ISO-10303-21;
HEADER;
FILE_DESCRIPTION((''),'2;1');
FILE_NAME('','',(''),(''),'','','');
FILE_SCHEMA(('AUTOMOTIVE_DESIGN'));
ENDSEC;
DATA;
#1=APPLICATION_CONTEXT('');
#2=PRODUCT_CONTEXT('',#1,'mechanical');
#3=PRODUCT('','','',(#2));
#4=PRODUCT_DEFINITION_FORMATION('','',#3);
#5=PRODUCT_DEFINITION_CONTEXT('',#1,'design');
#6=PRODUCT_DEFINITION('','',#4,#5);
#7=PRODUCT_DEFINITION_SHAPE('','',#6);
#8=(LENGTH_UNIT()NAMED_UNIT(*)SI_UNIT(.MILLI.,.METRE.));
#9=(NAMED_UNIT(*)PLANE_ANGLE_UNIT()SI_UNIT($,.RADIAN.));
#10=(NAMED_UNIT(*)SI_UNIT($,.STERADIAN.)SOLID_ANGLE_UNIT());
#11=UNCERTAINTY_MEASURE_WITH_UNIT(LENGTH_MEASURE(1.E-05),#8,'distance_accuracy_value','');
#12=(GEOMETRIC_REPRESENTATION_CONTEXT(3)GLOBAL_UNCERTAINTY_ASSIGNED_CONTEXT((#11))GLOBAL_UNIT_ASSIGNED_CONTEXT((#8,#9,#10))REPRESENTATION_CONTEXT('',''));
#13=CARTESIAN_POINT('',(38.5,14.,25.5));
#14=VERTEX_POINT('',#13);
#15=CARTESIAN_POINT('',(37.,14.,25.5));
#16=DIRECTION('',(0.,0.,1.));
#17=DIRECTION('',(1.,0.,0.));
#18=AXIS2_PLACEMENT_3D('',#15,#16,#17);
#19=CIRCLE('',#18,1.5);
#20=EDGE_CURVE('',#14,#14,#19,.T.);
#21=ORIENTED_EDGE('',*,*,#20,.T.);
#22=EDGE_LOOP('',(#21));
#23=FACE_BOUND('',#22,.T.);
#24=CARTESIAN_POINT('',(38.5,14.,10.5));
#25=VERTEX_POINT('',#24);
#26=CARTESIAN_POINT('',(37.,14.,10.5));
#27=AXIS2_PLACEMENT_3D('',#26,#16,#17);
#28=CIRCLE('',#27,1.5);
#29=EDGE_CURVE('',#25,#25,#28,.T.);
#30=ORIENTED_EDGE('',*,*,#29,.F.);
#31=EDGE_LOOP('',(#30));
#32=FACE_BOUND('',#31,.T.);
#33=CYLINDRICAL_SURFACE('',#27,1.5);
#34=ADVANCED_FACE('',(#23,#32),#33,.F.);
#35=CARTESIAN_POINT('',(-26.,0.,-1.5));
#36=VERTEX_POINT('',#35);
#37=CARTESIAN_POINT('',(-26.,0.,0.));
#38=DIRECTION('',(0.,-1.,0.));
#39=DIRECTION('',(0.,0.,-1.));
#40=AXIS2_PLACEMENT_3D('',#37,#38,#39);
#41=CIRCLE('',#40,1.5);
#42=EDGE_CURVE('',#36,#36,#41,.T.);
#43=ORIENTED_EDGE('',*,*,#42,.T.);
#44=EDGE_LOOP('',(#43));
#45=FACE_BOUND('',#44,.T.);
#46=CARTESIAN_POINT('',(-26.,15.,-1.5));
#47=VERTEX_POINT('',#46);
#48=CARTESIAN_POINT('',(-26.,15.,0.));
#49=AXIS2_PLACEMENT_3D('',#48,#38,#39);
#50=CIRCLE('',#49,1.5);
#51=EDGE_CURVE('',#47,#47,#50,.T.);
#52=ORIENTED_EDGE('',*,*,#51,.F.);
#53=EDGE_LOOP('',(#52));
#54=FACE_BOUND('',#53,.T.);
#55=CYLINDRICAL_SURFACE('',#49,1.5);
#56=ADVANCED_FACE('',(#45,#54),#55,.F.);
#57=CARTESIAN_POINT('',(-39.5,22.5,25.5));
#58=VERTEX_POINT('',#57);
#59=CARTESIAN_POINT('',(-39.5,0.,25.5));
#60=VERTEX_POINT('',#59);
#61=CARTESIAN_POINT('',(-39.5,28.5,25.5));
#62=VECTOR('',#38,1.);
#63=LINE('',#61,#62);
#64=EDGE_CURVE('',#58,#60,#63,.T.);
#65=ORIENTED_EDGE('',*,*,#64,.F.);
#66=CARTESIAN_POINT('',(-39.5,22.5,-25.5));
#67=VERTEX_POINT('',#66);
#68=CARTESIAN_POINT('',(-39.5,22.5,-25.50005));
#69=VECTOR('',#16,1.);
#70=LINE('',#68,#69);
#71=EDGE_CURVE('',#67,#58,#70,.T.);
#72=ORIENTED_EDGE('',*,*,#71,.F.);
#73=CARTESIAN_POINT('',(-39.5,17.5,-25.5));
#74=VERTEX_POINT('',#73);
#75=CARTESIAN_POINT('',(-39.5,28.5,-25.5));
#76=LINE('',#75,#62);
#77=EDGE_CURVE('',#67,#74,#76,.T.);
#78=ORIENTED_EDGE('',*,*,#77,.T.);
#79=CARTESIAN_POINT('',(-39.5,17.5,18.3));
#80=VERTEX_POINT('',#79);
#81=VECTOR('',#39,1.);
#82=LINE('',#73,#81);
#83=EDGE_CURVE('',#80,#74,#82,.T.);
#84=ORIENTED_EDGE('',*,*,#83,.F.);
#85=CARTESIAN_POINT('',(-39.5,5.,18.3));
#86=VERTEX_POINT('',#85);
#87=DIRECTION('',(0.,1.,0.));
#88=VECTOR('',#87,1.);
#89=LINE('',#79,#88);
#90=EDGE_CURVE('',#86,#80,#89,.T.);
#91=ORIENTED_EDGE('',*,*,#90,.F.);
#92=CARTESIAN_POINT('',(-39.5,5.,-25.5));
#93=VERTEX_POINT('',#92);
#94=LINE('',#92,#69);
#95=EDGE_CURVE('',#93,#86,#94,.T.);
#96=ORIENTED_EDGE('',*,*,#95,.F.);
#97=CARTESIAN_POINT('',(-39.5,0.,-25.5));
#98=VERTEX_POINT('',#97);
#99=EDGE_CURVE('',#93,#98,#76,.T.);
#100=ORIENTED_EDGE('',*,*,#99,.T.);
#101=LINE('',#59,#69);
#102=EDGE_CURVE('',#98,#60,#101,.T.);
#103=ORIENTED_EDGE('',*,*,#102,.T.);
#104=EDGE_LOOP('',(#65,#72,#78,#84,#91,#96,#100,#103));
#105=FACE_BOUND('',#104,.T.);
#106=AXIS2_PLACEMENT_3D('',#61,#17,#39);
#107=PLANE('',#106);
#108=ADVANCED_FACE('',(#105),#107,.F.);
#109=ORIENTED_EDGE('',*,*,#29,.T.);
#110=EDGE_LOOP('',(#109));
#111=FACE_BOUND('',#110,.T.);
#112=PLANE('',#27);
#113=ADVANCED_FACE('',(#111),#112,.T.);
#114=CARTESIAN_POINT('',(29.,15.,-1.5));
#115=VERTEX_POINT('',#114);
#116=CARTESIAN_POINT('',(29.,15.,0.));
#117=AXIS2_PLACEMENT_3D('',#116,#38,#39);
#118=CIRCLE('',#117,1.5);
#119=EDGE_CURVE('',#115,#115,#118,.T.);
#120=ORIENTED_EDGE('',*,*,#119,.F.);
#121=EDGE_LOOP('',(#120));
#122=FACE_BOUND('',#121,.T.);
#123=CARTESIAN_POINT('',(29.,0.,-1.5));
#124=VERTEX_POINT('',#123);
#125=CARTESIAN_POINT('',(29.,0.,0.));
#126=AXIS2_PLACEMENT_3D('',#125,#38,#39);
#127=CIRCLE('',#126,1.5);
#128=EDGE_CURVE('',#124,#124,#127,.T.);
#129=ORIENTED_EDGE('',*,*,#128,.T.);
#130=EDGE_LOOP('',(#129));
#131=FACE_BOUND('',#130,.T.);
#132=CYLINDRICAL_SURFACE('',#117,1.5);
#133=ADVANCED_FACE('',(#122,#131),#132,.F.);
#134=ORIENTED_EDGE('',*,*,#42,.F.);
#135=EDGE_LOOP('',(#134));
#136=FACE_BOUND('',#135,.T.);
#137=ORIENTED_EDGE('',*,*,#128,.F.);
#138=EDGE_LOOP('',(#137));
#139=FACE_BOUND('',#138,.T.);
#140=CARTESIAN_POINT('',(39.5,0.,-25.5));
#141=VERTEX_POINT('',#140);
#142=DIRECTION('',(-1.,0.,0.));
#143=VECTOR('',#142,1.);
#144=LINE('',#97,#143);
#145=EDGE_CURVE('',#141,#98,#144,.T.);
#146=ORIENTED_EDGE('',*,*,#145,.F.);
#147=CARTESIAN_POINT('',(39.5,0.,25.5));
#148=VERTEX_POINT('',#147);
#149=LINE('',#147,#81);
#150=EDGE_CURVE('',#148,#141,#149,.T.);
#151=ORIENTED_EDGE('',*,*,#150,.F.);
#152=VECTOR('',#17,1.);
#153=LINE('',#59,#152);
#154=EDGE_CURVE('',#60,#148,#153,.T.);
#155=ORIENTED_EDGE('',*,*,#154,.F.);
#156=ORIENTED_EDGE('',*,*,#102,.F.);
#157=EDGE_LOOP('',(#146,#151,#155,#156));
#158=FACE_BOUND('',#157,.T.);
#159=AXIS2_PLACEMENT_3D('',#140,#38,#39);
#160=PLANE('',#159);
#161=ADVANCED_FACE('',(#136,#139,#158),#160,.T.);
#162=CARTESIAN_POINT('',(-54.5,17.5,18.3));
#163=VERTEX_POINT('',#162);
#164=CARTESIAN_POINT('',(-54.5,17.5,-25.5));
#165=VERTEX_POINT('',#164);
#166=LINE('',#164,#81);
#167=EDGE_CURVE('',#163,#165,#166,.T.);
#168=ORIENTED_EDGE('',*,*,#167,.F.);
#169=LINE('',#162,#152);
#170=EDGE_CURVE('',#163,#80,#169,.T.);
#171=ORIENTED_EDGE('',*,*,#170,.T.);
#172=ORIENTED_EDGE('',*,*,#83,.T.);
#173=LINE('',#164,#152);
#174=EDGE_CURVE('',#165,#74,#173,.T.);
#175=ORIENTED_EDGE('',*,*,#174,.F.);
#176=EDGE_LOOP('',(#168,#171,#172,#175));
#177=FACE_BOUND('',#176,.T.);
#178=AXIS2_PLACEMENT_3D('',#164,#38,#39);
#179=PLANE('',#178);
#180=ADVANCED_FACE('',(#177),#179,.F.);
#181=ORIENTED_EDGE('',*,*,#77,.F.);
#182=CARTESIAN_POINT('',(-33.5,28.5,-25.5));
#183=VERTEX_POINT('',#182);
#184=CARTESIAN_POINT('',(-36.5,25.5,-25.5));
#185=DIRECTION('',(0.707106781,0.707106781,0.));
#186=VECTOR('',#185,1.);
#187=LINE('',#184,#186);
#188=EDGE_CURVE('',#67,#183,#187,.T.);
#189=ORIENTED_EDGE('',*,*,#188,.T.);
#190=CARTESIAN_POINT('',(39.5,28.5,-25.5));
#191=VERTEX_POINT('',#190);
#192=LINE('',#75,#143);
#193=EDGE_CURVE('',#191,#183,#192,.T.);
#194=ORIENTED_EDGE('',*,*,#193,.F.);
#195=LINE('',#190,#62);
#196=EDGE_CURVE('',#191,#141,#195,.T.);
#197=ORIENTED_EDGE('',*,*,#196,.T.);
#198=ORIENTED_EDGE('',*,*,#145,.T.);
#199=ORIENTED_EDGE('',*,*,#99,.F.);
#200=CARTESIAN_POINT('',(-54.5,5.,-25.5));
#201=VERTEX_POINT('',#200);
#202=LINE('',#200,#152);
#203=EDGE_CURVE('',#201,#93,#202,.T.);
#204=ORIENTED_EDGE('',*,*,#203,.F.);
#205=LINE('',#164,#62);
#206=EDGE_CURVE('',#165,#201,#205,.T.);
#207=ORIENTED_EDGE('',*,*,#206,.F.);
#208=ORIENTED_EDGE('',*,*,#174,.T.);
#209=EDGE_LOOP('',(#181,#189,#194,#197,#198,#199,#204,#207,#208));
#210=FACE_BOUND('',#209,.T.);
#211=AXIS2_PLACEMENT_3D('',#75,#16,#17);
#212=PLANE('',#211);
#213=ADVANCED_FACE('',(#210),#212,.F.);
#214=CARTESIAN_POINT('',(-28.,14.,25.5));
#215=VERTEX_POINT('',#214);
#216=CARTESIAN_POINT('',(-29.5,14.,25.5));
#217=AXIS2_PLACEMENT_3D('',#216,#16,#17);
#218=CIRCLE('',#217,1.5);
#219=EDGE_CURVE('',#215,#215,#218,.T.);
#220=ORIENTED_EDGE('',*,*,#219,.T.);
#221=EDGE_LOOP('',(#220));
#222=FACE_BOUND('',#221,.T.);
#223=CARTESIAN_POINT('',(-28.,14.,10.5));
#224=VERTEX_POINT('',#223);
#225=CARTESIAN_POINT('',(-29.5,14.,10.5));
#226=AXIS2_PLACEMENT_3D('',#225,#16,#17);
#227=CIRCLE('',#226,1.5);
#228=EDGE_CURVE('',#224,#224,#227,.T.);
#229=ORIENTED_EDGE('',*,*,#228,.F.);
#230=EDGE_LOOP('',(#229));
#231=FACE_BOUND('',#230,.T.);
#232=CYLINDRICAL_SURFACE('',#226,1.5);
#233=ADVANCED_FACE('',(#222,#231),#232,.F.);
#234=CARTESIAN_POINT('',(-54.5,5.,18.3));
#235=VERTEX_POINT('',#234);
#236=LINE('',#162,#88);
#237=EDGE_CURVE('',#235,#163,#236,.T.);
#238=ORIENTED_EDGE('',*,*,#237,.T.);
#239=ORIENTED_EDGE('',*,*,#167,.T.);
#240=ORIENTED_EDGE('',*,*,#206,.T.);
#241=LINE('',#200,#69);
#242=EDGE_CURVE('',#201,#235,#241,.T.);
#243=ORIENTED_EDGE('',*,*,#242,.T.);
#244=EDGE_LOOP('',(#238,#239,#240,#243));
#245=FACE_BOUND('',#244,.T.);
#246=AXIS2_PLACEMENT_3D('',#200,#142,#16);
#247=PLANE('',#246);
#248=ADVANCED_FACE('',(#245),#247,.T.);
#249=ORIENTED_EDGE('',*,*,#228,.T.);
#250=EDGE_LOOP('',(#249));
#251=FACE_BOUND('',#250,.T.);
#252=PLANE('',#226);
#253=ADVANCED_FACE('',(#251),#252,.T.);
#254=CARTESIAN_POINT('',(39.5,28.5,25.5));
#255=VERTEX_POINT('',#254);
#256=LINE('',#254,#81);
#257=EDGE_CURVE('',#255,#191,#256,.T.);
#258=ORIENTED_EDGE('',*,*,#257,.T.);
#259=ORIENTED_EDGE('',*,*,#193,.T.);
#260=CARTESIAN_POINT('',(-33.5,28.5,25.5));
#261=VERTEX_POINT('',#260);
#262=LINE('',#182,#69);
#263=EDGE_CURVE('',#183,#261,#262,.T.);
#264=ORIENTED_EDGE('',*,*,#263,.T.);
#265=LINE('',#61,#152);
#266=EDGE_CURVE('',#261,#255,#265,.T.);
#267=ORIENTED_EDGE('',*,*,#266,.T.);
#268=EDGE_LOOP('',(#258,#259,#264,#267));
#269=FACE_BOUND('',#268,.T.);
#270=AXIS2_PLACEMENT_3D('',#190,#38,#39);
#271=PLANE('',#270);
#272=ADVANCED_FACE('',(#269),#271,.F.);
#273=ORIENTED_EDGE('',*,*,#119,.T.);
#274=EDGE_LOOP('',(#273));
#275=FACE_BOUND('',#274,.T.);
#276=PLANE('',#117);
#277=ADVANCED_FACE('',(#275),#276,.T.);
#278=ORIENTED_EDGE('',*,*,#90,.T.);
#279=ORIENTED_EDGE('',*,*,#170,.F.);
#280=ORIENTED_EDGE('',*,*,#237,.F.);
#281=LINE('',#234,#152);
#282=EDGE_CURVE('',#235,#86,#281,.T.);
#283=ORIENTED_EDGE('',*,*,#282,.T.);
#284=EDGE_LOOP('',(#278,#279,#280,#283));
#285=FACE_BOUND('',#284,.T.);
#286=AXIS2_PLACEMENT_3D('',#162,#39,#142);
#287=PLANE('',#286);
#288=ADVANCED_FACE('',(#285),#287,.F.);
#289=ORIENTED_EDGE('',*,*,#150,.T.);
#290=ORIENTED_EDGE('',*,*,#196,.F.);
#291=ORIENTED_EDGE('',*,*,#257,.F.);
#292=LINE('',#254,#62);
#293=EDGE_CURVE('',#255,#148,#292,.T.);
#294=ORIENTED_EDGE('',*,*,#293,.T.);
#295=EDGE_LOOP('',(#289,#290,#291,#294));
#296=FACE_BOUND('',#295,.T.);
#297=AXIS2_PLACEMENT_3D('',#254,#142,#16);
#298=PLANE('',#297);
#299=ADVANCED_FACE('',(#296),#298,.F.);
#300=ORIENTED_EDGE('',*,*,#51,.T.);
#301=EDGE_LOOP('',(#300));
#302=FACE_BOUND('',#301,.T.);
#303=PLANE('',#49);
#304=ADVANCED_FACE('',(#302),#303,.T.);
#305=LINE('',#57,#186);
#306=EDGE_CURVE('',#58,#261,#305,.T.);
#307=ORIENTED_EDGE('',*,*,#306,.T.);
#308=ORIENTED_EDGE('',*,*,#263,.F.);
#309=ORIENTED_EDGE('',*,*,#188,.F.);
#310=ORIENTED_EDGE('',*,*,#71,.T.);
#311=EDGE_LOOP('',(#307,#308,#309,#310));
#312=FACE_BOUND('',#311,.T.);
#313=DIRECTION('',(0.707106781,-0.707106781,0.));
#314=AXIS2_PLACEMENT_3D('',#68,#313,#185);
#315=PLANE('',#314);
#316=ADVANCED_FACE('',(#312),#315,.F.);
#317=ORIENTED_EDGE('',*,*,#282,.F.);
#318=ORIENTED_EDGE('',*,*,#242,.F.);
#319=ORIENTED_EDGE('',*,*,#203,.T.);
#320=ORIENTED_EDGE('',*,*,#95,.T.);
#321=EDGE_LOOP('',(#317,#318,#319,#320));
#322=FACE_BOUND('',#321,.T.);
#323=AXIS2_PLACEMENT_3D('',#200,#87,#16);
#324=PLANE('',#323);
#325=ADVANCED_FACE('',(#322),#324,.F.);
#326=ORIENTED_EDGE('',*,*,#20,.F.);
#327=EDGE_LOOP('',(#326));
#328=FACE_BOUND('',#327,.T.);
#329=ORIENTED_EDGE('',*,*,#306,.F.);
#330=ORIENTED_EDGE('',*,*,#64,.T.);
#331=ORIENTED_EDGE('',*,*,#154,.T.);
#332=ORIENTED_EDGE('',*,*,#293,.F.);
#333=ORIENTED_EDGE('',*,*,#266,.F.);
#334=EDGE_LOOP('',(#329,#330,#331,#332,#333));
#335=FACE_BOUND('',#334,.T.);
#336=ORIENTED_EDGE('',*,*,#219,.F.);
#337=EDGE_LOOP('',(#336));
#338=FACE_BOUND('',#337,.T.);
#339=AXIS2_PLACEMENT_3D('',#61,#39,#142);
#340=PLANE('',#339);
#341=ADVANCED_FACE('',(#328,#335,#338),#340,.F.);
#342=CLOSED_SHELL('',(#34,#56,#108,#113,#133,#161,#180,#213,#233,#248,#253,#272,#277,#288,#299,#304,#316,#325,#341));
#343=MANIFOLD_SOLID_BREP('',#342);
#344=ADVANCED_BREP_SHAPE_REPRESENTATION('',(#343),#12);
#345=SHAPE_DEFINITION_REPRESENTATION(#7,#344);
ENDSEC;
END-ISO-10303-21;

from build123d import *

# Parameters (mm, degrees)
SKETCH1_W           = 79
SKETCH1_H           = 51
BOSS_EXTRUDE1_DEPTH = 28.5
SKETCH2_W           = 43.8
SKETCH2_H           = 12.5
BOSS_EXTRUDE2_DEPTH = 15
CUT_EXTRUDE1_DEPTH  = 52
SKETCH4_R           = 1.5
CUT_EXTRUDE2_DEPTH  = 15
SKETCH5_R           = 1.5
CUT_EXTRUDE3_DEPTH  = 15


with BuildPart() as part:
    # Sketch1 → Boss-Extrude1 (new body)
    with BuildSketch(Plane(origin=(0, 0, 0), x_dir=(1, 0, 0), z_dir=(0, 1, 0))):
        Rectangle(SKETCH1_W, SKETCH1_H)
    extrude(amount=BOSS_EXTRUDE1_DEPTH)

    # Sketch2 → Boss-Extrude2 (add)
    with BuildSketch(Plane.ZY.offset(39.5)):
        with Locations((-3.6, 11.25)):
            Rectangle(SKETCH2_W, SKETCH2_H)
    extrude(amount=BOSS_EXTRUDE2_DEPTH)

    # Sketch3 → Cut-Extrude1 (cut, through all)
    with BuildSketch(Plane.XY.offset(25.5)):
        Polygon((-39.5, 28.5), (-39.5, 22.5), (-33.5, 28.5), align=None)
    extrude(amount=-CUT_EXTRUDE1_DEPTH, mode=Mode.SUBTRACT)

    # Sketch4 → Cut-Extrude2 (cut)
    with BuildSketch(Plane.XY.offset(25.5)):
        with Locations((-29.5, 14)):
            Circle(SKETCH4_R)
        with Locations((37, 14)):
            Circle(SKETCH4_R)
    extrude(amount=-CUT_EXTRUDE2_DEPTH, mode=Mode.SUBTRACT)

    # Sketch5 → Cut-Extrude3 (cut)
    with BuildSketch(Plane.XZ):
        with Locations((-26, 0)):
            Circle(SKETCH5_R)
        with Locations((29, 0)):
            Circle(SKETCH5_R)
    extrude(amount=-CUT_EXTRUDE3_DEPTH, mode=Mode.SUBTRACT)


solid = part.part
